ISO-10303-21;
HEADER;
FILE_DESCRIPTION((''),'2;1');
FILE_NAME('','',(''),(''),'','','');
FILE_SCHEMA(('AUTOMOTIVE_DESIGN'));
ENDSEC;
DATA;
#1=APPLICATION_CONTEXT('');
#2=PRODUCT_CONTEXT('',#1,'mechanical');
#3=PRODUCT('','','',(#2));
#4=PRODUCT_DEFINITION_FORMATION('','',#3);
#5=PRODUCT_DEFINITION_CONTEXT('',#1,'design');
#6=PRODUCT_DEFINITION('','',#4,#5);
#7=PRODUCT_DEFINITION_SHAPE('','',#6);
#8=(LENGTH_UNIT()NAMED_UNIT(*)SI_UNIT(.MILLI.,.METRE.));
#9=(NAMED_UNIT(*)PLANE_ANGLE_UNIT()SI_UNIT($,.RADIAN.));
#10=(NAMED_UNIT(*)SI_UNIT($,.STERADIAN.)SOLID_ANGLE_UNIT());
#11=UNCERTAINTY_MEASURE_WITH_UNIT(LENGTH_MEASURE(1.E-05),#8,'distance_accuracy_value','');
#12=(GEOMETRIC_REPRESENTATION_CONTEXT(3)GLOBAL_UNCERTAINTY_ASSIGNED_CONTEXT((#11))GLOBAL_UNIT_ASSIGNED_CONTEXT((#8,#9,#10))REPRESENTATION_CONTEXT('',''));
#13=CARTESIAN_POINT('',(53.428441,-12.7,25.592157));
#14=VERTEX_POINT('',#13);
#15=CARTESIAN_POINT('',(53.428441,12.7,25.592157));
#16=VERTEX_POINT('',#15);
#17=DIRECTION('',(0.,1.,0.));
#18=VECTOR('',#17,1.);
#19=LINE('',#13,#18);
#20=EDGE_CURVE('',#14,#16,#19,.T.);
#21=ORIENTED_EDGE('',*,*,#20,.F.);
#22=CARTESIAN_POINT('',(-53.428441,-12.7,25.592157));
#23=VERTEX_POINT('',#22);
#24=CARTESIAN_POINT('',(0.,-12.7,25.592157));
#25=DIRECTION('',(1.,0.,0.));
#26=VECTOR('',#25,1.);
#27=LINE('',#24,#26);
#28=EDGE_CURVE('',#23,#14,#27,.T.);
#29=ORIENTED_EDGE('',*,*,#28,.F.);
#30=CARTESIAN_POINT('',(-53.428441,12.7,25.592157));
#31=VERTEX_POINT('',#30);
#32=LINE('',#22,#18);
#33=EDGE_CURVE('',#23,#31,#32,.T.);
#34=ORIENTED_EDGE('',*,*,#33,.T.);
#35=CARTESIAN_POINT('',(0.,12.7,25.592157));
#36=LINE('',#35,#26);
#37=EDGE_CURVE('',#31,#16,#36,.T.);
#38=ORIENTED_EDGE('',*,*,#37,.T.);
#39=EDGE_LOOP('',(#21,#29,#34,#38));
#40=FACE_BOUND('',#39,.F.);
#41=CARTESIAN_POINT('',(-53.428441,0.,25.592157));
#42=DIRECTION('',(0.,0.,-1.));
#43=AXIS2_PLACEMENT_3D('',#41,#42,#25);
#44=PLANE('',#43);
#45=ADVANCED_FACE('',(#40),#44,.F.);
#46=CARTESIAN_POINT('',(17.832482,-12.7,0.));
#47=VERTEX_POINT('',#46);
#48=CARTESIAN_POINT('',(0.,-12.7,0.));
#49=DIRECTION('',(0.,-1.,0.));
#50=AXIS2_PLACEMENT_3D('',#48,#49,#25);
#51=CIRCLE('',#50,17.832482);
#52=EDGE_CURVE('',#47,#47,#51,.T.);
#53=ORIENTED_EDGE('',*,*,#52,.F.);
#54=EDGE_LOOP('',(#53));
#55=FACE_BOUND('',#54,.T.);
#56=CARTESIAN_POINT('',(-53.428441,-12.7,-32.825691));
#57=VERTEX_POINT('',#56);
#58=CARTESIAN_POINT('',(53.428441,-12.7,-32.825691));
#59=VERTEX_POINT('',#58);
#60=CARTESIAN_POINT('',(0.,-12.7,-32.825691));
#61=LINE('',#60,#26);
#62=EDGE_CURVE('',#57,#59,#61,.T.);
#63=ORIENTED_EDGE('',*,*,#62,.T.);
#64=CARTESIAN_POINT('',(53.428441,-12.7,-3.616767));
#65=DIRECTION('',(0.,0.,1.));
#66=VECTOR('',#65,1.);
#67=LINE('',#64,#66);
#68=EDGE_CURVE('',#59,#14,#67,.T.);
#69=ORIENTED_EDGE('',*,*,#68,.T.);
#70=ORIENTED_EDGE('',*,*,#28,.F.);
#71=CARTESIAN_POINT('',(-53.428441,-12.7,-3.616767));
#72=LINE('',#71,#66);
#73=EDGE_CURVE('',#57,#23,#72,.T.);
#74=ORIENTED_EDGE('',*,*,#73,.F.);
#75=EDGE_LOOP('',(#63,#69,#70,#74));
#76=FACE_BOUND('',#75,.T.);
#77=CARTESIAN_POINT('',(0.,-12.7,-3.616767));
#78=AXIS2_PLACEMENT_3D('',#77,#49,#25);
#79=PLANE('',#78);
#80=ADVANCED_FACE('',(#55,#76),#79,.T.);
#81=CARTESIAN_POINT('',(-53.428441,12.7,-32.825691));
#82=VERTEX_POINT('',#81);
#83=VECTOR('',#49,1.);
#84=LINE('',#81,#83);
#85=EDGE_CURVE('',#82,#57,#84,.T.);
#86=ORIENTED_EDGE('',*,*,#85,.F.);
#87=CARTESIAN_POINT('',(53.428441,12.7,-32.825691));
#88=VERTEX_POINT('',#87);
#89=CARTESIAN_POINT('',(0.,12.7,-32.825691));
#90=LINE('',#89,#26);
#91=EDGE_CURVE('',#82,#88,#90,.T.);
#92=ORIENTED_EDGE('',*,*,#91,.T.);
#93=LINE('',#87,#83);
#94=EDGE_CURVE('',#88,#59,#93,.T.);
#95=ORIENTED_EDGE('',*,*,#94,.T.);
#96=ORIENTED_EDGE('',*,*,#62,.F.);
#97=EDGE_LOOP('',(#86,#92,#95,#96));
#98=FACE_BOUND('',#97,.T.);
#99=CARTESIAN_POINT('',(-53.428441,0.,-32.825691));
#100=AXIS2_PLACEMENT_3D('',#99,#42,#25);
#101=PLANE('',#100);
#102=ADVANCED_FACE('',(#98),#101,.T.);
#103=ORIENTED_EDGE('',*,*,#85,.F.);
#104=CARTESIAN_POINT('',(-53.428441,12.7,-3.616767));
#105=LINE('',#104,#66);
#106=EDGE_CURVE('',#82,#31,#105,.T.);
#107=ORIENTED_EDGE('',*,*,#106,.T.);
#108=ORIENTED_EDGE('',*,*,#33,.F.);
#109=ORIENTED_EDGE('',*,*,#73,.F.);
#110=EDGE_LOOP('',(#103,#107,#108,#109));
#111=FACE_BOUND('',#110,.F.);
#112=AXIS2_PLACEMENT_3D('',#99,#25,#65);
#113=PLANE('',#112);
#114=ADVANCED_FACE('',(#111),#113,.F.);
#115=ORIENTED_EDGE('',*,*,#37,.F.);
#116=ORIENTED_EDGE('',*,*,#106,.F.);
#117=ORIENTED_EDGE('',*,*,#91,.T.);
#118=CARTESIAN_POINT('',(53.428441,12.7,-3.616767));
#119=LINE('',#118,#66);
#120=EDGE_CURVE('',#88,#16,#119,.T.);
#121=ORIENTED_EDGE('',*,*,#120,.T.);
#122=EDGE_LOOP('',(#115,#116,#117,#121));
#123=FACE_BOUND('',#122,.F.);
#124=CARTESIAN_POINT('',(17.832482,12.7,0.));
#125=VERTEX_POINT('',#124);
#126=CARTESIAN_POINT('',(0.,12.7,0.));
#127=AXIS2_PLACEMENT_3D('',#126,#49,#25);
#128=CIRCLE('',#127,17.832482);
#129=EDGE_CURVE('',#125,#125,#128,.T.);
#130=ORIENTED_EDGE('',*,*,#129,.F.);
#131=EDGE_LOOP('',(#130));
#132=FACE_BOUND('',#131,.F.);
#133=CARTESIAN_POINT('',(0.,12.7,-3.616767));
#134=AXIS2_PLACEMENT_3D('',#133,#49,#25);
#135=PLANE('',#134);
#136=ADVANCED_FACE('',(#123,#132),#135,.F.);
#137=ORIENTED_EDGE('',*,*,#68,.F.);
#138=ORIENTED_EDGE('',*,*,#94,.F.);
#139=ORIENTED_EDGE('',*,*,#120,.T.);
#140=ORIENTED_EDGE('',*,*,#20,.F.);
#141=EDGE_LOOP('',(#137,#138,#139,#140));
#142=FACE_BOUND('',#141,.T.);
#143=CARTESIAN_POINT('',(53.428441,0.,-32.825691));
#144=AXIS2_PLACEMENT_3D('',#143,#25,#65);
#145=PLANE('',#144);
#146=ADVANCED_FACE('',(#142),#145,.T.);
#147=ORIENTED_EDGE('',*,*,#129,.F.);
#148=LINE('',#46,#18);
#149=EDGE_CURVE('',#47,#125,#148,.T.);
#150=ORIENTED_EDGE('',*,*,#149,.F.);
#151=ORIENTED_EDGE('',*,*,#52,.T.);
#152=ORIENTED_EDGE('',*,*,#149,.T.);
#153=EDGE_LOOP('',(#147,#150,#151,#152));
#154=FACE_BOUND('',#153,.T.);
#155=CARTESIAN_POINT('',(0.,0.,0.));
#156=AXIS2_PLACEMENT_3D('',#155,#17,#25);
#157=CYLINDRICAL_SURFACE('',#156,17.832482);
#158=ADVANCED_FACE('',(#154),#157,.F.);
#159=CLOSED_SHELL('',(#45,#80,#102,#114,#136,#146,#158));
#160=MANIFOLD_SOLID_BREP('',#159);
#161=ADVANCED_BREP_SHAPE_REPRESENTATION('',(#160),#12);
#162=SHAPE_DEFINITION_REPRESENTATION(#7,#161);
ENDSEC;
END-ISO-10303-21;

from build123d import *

# Parameters (mm, degrees)
F0_W     = 106.856882
F0_H     = 58.417847
F0_R     = 17.832482
F1_DEPTH = 12.7


with BuildPart() as f1:
    # F0 (on Front) → F1 (new body, symmetric)
    with BuildSketch(Plane.XZ):
        with Locations((0, -3.616767)):
            Rectangle(F0_W, F0_H)
        Circle(F0_R, mode=Mode.SUBTRACT)
    extrude(amount=F1_DEPTH, both=True)


solid = f1.part
